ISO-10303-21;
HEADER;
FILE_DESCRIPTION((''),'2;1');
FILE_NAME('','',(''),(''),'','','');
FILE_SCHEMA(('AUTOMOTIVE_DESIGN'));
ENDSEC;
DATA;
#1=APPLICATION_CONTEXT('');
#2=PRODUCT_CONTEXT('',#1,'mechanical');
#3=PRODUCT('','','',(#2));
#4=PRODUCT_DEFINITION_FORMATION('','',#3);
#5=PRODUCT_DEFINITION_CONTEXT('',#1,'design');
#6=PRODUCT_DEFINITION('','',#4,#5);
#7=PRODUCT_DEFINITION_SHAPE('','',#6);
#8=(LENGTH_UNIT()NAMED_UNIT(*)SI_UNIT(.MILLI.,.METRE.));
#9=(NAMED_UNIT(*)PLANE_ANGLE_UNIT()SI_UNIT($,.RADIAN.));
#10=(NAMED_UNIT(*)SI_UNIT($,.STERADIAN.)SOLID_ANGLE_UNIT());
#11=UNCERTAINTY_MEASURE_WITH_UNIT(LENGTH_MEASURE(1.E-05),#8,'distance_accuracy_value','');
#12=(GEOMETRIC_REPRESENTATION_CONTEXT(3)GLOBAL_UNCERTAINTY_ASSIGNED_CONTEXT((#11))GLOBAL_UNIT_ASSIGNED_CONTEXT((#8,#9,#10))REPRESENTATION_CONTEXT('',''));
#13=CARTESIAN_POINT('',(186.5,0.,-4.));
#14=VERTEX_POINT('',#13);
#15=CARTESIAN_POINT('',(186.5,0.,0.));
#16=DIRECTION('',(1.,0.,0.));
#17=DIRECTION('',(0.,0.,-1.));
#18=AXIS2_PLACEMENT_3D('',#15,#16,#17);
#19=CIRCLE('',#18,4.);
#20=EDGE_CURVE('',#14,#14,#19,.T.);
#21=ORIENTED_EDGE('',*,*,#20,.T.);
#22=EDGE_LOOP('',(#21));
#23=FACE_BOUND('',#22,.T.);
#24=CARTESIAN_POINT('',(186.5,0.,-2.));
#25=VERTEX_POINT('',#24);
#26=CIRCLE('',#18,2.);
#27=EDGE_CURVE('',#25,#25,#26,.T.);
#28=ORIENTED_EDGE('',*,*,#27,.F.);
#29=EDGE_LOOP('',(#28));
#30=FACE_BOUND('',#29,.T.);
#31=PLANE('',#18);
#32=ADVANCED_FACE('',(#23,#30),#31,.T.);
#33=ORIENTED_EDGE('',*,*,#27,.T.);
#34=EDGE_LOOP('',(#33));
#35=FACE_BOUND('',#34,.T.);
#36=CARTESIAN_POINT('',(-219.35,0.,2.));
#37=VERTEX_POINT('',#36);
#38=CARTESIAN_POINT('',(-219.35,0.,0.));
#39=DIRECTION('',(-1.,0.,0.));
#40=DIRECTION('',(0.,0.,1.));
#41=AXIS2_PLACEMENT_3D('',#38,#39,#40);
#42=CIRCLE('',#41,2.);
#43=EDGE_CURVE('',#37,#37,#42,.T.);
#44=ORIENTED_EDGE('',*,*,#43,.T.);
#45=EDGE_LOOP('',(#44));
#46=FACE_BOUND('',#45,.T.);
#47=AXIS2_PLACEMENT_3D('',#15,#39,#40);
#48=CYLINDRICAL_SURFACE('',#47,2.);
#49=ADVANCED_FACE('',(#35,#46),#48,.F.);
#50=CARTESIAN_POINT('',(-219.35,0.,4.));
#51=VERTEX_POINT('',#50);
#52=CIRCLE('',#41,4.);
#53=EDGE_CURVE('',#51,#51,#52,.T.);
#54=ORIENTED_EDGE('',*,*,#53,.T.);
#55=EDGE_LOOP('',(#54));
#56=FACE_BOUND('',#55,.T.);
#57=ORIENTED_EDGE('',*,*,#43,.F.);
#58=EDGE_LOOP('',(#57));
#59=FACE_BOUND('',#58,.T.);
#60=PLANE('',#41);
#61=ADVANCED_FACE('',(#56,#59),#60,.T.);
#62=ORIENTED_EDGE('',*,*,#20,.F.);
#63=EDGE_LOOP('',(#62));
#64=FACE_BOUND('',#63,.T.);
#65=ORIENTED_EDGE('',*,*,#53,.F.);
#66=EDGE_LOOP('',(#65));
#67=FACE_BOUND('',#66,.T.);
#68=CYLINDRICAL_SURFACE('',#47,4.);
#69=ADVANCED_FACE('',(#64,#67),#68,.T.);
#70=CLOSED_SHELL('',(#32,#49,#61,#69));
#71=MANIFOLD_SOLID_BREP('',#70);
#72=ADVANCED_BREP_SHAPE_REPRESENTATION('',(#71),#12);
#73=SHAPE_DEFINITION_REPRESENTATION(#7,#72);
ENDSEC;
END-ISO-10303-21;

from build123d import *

# Parameters (mm, degrees)
CROQUIS1_R              = 4
CROQUIS1_R_2            = 2
SALIENTE_EXTRUIR1_DEPTH = 186.5
SKETCH1_R               = 4
SKETCH1_R_2             = 2
BOSS_EXTRUDE1_DEPTH     = 32.85


with BuildPart() as part:
    # Croquis1 → Saliente-Extruir1 (new body, symmetric)
    with BuildSketch(Plane(origin=(0, 0, 0), x_dir=(0, 0, -1), z_dir=(1, 0, 0))):
        Circle(CROQUIS1_R)
        Circle(CROQUIS1_R_2, mode=Mode.SUBTRACT)
    extrude(amount=SALIENTE_EXTRUIR1_DEPTH, both=True)

    # Sketch1 → Boss-Extrude1 (add)
    with BuildSketch(Plane.ZY.offset(186.5)):
        Circle(SKETCH1_R)
        Circle(SKETCH1_R_2, mode=Mode.SUBTRACT)
    extrude(amount=BOSS_EXTRUDE1_DEPTH)


solid = part.part
